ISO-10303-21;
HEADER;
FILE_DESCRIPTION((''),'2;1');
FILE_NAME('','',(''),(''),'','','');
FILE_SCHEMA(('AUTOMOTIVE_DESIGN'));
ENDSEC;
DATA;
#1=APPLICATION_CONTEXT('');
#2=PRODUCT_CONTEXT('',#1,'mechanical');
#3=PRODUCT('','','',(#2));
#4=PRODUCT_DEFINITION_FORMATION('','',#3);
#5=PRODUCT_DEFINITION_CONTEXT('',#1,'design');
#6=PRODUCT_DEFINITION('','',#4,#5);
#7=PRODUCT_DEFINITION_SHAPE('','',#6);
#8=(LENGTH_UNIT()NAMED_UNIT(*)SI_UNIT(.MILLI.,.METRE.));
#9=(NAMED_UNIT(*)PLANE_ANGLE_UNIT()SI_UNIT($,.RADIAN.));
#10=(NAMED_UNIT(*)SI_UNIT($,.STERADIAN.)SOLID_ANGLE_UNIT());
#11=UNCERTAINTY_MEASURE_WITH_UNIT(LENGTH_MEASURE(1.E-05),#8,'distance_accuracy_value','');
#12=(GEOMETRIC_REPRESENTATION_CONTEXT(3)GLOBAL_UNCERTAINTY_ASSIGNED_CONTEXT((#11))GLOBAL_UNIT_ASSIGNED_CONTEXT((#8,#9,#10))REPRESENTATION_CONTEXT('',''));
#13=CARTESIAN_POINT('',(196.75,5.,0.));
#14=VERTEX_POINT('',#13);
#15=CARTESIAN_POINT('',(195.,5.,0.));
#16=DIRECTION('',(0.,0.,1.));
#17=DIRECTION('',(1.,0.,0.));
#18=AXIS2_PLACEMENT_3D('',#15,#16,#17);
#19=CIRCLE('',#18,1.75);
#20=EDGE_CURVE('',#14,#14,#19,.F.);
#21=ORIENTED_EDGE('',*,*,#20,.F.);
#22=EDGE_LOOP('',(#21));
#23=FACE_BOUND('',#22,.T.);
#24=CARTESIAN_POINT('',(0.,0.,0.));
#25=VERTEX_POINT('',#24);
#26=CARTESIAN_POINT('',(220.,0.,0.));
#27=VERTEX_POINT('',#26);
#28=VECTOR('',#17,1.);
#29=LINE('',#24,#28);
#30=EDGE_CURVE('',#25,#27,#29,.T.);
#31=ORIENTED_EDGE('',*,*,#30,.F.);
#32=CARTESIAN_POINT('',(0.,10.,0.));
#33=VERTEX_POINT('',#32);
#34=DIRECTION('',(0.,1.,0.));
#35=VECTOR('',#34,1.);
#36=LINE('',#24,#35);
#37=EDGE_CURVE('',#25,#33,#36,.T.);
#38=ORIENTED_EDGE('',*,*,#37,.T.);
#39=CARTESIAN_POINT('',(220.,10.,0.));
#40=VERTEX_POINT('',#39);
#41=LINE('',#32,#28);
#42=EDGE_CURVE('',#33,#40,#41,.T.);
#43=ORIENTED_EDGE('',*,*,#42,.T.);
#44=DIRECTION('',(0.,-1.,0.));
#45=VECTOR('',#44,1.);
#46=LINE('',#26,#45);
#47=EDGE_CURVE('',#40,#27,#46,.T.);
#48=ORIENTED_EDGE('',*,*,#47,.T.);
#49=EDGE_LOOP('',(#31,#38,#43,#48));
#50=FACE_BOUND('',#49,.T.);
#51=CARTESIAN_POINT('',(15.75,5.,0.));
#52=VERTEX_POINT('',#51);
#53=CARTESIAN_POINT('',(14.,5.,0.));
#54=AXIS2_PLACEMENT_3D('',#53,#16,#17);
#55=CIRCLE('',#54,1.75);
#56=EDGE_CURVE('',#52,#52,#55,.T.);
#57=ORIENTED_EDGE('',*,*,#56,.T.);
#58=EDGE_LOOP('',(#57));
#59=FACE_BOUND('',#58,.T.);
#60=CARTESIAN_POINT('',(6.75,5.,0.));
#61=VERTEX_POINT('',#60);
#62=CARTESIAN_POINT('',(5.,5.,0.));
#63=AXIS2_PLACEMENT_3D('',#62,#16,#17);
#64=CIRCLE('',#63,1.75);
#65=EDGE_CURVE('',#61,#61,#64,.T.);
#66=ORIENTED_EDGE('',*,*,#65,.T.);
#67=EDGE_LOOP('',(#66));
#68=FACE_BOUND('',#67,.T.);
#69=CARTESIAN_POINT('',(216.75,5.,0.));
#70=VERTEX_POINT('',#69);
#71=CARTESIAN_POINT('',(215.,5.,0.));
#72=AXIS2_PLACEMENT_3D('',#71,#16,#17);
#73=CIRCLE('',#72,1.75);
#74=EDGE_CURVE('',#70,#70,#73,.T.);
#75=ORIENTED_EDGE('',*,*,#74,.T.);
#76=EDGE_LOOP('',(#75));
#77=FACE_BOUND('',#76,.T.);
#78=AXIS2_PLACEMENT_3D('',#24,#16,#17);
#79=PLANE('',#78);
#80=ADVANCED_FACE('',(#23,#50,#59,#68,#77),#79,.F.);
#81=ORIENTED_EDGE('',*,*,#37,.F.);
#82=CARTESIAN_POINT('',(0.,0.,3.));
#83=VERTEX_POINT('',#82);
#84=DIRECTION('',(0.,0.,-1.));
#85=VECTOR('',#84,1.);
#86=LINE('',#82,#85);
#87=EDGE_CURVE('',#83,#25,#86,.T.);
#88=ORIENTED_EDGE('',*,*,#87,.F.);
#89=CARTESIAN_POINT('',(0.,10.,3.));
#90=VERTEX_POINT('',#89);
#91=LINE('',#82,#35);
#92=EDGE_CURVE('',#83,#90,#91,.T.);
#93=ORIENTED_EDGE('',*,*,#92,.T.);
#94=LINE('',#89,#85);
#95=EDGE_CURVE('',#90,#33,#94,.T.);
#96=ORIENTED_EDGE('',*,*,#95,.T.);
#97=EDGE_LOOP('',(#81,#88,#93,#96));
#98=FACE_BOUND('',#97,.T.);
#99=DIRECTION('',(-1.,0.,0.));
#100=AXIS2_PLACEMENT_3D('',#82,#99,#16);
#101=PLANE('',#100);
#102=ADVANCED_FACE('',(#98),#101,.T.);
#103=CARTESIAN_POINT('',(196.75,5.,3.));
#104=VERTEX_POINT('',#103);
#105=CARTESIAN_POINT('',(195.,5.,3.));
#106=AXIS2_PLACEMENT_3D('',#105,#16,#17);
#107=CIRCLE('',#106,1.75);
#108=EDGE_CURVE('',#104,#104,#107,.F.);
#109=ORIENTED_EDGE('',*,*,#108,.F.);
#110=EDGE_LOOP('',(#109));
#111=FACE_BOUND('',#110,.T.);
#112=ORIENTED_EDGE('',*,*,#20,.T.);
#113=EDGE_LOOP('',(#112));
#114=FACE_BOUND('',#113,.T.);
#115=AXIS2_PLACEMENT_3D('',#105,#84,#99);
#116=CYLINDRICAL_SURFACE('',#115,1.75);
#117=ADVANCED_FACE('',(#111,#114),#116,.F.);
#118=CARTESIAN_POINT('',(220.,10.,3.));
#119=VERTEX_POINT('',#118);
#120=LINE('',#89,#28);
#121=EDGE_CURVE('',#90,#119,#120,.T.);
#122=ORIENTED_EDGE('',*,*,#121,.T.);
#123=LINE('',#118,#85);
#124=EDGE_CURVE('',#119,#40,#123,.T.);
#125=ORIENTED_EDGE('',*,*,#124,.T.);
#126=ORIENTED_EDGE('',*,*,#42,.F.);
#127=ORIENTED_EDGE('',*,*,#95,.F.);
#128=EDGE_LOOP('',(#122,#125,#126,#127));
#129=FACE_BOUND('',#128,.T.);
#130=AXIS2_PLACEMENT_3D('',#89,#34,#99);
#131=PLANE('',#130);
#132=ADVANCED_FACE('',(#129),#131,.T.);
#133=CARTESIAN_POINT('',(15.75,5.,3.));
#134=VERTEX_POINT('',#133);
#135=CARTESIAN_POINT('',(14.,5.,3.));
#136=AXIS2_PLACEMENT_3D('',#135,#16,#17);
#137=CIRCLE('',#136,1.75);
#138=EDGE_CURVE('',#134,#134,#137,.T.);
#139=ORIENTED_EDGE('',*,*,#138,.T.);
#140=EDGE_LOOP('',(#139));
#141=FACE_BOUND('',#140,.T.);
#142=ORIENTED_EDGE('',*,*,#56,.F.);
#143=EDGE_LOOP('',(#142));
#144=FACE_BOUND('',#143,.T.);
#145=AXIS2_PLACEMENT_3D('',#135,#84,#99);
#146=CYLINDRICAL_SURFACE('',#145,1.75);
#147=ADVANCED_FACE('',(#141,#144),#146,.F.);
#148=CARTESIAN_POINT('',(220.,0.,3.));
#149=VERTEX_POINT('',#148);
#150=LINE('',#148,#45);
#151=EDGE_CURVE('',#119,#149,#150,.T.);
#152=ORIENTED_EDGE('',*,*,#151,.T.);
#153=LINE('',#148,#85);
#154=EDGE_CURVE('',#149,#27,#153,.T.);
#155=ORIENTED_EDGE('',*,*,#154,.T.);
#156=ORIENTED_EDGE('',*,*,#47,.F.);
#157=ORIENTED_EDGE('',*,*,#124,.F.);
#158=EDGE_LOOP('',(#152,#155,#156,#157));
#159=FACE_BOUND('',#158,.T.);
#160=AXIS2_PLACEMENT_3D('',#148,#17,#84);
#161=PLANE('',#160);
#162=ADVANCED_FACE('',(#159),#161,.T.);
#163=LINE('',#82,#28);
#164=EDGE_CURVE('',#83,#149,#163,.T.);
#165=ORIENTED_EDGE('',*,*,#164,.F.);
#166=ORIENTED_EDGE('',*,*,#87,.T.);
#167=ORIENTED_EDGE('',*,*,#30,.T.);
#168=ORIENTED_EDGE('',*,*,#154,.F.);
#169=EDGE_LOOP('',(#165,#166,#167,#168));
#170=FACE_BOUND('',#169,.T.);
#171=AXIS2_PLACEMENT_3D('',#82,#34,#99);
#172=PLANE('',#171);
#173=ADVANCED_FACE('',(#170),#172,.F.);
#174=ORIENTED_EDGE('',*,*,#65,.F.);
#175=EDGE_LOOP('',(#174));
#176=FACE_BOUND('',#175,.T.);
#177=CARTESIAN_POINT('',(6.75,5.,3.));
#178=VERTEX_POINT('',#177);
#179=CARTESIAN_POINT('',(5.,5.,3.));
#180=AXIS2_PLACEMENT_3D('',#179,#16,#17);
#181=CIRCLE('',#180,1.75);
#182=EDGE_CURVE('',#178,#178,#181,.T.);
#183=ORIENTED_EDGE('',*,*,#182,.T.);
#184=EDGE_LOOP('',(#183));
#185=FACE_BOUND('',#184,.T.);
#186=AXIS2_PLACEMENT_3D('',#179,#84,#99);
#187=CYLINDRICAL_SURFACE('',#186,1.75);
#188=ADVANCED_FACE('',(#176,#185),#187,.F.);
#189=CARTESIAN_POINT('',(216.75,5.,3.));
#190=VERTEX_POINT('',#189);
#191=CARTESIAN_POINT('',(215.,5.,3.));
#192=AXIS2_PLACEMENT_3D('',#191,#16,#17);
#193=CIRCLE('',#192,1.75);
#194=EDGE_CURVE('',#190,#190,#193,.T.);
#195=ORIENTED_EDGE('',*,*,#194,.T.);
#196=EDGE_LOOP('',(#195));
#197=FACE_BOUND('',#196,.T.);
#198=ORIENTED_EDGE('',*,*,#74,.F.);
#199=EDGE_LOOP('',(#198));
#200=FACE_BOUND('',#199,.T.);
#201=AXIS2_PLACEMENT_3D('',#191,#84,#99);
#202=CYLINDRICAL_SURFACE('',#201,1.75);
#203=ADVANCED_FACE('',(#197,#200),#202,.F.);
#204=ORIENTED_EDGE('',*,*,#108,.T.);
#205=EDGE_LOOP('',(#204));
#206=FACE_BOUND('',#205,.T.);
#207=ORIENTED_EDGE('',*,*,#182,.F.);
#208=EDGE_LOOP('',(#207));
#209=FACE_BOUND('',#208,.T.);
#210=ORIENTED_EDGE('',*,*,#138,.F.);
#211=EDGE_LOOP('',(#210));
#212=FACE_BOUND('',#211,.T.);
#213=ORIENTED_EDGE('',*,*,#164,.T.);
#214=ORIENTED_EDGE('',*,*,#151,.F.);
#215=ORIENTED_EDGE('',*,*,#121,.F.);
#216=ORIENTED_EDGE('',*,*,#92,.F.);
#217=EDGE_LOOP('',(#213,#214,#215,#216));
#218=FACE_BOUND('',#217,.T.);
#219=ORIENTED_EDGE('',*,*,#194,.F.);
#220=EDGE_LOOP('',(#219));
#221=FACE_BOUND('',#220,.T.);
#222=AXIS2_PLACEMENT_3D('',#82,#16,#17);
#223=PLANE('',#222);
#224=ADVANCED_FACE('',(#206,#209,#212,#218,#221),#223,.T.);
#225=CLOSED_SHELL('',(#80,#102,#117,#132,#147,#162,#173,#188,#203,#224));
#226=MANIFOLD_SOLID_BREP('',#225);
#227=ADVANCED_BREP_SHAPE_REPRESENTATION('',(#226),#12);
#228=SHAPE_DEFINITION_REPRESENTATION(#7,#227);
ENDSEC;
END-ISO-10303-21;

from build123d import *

# Parameters (mm, degrees)
SKETCH_1_W      = 100
SKETCH_1_H      = 10
SKETCH_1_R      = 1.75
SKETCH_1_W_2    = 20
EXTRUDE_1_DEPTH = 3


with BuildPart() as part:
    # 草图1 → 凸台-拉伸1 (new body)
    # profile 1 of 3: a face of its own
    with BuildSketch(Plane.XY):
        with Locations((50, 5)):
            Rectangle(SKETCH_1_W, SKETCH_1_H)
        with Locations((5, 5)):
            Circle(SKETCH_1_R, mode=Mode.SUBTRACT)
        with Locations((14, 5)):
            Circle(SKETCH_1_R, mode=Mode.SUBTRACT)
    # profile 2 of 3: a face of its own
    with BuildSketch(Plane.XY):
        with Locations((150, 5)):
            Rectangle(SKETCH_1_W, SKETCH_1_H)
        with Locations((195, 5)):
            Circle(SKETCH_1_R, mode=Mode.SUBTRACT)
    # profile 3 of 3: a face of its own
    with BuildSketch(Plane.XY):
        with Locations((210, 5)):
            Rectangle(SKETCH_1_W_2, SKETCH_1_H)
        with Locations((215, 5)):
            Circle(SKETCH_1_R, mode=Mode.SUBTRACT)
    extrude(amount=EXTRUDE_1_DEPTH)


solid = part.part
